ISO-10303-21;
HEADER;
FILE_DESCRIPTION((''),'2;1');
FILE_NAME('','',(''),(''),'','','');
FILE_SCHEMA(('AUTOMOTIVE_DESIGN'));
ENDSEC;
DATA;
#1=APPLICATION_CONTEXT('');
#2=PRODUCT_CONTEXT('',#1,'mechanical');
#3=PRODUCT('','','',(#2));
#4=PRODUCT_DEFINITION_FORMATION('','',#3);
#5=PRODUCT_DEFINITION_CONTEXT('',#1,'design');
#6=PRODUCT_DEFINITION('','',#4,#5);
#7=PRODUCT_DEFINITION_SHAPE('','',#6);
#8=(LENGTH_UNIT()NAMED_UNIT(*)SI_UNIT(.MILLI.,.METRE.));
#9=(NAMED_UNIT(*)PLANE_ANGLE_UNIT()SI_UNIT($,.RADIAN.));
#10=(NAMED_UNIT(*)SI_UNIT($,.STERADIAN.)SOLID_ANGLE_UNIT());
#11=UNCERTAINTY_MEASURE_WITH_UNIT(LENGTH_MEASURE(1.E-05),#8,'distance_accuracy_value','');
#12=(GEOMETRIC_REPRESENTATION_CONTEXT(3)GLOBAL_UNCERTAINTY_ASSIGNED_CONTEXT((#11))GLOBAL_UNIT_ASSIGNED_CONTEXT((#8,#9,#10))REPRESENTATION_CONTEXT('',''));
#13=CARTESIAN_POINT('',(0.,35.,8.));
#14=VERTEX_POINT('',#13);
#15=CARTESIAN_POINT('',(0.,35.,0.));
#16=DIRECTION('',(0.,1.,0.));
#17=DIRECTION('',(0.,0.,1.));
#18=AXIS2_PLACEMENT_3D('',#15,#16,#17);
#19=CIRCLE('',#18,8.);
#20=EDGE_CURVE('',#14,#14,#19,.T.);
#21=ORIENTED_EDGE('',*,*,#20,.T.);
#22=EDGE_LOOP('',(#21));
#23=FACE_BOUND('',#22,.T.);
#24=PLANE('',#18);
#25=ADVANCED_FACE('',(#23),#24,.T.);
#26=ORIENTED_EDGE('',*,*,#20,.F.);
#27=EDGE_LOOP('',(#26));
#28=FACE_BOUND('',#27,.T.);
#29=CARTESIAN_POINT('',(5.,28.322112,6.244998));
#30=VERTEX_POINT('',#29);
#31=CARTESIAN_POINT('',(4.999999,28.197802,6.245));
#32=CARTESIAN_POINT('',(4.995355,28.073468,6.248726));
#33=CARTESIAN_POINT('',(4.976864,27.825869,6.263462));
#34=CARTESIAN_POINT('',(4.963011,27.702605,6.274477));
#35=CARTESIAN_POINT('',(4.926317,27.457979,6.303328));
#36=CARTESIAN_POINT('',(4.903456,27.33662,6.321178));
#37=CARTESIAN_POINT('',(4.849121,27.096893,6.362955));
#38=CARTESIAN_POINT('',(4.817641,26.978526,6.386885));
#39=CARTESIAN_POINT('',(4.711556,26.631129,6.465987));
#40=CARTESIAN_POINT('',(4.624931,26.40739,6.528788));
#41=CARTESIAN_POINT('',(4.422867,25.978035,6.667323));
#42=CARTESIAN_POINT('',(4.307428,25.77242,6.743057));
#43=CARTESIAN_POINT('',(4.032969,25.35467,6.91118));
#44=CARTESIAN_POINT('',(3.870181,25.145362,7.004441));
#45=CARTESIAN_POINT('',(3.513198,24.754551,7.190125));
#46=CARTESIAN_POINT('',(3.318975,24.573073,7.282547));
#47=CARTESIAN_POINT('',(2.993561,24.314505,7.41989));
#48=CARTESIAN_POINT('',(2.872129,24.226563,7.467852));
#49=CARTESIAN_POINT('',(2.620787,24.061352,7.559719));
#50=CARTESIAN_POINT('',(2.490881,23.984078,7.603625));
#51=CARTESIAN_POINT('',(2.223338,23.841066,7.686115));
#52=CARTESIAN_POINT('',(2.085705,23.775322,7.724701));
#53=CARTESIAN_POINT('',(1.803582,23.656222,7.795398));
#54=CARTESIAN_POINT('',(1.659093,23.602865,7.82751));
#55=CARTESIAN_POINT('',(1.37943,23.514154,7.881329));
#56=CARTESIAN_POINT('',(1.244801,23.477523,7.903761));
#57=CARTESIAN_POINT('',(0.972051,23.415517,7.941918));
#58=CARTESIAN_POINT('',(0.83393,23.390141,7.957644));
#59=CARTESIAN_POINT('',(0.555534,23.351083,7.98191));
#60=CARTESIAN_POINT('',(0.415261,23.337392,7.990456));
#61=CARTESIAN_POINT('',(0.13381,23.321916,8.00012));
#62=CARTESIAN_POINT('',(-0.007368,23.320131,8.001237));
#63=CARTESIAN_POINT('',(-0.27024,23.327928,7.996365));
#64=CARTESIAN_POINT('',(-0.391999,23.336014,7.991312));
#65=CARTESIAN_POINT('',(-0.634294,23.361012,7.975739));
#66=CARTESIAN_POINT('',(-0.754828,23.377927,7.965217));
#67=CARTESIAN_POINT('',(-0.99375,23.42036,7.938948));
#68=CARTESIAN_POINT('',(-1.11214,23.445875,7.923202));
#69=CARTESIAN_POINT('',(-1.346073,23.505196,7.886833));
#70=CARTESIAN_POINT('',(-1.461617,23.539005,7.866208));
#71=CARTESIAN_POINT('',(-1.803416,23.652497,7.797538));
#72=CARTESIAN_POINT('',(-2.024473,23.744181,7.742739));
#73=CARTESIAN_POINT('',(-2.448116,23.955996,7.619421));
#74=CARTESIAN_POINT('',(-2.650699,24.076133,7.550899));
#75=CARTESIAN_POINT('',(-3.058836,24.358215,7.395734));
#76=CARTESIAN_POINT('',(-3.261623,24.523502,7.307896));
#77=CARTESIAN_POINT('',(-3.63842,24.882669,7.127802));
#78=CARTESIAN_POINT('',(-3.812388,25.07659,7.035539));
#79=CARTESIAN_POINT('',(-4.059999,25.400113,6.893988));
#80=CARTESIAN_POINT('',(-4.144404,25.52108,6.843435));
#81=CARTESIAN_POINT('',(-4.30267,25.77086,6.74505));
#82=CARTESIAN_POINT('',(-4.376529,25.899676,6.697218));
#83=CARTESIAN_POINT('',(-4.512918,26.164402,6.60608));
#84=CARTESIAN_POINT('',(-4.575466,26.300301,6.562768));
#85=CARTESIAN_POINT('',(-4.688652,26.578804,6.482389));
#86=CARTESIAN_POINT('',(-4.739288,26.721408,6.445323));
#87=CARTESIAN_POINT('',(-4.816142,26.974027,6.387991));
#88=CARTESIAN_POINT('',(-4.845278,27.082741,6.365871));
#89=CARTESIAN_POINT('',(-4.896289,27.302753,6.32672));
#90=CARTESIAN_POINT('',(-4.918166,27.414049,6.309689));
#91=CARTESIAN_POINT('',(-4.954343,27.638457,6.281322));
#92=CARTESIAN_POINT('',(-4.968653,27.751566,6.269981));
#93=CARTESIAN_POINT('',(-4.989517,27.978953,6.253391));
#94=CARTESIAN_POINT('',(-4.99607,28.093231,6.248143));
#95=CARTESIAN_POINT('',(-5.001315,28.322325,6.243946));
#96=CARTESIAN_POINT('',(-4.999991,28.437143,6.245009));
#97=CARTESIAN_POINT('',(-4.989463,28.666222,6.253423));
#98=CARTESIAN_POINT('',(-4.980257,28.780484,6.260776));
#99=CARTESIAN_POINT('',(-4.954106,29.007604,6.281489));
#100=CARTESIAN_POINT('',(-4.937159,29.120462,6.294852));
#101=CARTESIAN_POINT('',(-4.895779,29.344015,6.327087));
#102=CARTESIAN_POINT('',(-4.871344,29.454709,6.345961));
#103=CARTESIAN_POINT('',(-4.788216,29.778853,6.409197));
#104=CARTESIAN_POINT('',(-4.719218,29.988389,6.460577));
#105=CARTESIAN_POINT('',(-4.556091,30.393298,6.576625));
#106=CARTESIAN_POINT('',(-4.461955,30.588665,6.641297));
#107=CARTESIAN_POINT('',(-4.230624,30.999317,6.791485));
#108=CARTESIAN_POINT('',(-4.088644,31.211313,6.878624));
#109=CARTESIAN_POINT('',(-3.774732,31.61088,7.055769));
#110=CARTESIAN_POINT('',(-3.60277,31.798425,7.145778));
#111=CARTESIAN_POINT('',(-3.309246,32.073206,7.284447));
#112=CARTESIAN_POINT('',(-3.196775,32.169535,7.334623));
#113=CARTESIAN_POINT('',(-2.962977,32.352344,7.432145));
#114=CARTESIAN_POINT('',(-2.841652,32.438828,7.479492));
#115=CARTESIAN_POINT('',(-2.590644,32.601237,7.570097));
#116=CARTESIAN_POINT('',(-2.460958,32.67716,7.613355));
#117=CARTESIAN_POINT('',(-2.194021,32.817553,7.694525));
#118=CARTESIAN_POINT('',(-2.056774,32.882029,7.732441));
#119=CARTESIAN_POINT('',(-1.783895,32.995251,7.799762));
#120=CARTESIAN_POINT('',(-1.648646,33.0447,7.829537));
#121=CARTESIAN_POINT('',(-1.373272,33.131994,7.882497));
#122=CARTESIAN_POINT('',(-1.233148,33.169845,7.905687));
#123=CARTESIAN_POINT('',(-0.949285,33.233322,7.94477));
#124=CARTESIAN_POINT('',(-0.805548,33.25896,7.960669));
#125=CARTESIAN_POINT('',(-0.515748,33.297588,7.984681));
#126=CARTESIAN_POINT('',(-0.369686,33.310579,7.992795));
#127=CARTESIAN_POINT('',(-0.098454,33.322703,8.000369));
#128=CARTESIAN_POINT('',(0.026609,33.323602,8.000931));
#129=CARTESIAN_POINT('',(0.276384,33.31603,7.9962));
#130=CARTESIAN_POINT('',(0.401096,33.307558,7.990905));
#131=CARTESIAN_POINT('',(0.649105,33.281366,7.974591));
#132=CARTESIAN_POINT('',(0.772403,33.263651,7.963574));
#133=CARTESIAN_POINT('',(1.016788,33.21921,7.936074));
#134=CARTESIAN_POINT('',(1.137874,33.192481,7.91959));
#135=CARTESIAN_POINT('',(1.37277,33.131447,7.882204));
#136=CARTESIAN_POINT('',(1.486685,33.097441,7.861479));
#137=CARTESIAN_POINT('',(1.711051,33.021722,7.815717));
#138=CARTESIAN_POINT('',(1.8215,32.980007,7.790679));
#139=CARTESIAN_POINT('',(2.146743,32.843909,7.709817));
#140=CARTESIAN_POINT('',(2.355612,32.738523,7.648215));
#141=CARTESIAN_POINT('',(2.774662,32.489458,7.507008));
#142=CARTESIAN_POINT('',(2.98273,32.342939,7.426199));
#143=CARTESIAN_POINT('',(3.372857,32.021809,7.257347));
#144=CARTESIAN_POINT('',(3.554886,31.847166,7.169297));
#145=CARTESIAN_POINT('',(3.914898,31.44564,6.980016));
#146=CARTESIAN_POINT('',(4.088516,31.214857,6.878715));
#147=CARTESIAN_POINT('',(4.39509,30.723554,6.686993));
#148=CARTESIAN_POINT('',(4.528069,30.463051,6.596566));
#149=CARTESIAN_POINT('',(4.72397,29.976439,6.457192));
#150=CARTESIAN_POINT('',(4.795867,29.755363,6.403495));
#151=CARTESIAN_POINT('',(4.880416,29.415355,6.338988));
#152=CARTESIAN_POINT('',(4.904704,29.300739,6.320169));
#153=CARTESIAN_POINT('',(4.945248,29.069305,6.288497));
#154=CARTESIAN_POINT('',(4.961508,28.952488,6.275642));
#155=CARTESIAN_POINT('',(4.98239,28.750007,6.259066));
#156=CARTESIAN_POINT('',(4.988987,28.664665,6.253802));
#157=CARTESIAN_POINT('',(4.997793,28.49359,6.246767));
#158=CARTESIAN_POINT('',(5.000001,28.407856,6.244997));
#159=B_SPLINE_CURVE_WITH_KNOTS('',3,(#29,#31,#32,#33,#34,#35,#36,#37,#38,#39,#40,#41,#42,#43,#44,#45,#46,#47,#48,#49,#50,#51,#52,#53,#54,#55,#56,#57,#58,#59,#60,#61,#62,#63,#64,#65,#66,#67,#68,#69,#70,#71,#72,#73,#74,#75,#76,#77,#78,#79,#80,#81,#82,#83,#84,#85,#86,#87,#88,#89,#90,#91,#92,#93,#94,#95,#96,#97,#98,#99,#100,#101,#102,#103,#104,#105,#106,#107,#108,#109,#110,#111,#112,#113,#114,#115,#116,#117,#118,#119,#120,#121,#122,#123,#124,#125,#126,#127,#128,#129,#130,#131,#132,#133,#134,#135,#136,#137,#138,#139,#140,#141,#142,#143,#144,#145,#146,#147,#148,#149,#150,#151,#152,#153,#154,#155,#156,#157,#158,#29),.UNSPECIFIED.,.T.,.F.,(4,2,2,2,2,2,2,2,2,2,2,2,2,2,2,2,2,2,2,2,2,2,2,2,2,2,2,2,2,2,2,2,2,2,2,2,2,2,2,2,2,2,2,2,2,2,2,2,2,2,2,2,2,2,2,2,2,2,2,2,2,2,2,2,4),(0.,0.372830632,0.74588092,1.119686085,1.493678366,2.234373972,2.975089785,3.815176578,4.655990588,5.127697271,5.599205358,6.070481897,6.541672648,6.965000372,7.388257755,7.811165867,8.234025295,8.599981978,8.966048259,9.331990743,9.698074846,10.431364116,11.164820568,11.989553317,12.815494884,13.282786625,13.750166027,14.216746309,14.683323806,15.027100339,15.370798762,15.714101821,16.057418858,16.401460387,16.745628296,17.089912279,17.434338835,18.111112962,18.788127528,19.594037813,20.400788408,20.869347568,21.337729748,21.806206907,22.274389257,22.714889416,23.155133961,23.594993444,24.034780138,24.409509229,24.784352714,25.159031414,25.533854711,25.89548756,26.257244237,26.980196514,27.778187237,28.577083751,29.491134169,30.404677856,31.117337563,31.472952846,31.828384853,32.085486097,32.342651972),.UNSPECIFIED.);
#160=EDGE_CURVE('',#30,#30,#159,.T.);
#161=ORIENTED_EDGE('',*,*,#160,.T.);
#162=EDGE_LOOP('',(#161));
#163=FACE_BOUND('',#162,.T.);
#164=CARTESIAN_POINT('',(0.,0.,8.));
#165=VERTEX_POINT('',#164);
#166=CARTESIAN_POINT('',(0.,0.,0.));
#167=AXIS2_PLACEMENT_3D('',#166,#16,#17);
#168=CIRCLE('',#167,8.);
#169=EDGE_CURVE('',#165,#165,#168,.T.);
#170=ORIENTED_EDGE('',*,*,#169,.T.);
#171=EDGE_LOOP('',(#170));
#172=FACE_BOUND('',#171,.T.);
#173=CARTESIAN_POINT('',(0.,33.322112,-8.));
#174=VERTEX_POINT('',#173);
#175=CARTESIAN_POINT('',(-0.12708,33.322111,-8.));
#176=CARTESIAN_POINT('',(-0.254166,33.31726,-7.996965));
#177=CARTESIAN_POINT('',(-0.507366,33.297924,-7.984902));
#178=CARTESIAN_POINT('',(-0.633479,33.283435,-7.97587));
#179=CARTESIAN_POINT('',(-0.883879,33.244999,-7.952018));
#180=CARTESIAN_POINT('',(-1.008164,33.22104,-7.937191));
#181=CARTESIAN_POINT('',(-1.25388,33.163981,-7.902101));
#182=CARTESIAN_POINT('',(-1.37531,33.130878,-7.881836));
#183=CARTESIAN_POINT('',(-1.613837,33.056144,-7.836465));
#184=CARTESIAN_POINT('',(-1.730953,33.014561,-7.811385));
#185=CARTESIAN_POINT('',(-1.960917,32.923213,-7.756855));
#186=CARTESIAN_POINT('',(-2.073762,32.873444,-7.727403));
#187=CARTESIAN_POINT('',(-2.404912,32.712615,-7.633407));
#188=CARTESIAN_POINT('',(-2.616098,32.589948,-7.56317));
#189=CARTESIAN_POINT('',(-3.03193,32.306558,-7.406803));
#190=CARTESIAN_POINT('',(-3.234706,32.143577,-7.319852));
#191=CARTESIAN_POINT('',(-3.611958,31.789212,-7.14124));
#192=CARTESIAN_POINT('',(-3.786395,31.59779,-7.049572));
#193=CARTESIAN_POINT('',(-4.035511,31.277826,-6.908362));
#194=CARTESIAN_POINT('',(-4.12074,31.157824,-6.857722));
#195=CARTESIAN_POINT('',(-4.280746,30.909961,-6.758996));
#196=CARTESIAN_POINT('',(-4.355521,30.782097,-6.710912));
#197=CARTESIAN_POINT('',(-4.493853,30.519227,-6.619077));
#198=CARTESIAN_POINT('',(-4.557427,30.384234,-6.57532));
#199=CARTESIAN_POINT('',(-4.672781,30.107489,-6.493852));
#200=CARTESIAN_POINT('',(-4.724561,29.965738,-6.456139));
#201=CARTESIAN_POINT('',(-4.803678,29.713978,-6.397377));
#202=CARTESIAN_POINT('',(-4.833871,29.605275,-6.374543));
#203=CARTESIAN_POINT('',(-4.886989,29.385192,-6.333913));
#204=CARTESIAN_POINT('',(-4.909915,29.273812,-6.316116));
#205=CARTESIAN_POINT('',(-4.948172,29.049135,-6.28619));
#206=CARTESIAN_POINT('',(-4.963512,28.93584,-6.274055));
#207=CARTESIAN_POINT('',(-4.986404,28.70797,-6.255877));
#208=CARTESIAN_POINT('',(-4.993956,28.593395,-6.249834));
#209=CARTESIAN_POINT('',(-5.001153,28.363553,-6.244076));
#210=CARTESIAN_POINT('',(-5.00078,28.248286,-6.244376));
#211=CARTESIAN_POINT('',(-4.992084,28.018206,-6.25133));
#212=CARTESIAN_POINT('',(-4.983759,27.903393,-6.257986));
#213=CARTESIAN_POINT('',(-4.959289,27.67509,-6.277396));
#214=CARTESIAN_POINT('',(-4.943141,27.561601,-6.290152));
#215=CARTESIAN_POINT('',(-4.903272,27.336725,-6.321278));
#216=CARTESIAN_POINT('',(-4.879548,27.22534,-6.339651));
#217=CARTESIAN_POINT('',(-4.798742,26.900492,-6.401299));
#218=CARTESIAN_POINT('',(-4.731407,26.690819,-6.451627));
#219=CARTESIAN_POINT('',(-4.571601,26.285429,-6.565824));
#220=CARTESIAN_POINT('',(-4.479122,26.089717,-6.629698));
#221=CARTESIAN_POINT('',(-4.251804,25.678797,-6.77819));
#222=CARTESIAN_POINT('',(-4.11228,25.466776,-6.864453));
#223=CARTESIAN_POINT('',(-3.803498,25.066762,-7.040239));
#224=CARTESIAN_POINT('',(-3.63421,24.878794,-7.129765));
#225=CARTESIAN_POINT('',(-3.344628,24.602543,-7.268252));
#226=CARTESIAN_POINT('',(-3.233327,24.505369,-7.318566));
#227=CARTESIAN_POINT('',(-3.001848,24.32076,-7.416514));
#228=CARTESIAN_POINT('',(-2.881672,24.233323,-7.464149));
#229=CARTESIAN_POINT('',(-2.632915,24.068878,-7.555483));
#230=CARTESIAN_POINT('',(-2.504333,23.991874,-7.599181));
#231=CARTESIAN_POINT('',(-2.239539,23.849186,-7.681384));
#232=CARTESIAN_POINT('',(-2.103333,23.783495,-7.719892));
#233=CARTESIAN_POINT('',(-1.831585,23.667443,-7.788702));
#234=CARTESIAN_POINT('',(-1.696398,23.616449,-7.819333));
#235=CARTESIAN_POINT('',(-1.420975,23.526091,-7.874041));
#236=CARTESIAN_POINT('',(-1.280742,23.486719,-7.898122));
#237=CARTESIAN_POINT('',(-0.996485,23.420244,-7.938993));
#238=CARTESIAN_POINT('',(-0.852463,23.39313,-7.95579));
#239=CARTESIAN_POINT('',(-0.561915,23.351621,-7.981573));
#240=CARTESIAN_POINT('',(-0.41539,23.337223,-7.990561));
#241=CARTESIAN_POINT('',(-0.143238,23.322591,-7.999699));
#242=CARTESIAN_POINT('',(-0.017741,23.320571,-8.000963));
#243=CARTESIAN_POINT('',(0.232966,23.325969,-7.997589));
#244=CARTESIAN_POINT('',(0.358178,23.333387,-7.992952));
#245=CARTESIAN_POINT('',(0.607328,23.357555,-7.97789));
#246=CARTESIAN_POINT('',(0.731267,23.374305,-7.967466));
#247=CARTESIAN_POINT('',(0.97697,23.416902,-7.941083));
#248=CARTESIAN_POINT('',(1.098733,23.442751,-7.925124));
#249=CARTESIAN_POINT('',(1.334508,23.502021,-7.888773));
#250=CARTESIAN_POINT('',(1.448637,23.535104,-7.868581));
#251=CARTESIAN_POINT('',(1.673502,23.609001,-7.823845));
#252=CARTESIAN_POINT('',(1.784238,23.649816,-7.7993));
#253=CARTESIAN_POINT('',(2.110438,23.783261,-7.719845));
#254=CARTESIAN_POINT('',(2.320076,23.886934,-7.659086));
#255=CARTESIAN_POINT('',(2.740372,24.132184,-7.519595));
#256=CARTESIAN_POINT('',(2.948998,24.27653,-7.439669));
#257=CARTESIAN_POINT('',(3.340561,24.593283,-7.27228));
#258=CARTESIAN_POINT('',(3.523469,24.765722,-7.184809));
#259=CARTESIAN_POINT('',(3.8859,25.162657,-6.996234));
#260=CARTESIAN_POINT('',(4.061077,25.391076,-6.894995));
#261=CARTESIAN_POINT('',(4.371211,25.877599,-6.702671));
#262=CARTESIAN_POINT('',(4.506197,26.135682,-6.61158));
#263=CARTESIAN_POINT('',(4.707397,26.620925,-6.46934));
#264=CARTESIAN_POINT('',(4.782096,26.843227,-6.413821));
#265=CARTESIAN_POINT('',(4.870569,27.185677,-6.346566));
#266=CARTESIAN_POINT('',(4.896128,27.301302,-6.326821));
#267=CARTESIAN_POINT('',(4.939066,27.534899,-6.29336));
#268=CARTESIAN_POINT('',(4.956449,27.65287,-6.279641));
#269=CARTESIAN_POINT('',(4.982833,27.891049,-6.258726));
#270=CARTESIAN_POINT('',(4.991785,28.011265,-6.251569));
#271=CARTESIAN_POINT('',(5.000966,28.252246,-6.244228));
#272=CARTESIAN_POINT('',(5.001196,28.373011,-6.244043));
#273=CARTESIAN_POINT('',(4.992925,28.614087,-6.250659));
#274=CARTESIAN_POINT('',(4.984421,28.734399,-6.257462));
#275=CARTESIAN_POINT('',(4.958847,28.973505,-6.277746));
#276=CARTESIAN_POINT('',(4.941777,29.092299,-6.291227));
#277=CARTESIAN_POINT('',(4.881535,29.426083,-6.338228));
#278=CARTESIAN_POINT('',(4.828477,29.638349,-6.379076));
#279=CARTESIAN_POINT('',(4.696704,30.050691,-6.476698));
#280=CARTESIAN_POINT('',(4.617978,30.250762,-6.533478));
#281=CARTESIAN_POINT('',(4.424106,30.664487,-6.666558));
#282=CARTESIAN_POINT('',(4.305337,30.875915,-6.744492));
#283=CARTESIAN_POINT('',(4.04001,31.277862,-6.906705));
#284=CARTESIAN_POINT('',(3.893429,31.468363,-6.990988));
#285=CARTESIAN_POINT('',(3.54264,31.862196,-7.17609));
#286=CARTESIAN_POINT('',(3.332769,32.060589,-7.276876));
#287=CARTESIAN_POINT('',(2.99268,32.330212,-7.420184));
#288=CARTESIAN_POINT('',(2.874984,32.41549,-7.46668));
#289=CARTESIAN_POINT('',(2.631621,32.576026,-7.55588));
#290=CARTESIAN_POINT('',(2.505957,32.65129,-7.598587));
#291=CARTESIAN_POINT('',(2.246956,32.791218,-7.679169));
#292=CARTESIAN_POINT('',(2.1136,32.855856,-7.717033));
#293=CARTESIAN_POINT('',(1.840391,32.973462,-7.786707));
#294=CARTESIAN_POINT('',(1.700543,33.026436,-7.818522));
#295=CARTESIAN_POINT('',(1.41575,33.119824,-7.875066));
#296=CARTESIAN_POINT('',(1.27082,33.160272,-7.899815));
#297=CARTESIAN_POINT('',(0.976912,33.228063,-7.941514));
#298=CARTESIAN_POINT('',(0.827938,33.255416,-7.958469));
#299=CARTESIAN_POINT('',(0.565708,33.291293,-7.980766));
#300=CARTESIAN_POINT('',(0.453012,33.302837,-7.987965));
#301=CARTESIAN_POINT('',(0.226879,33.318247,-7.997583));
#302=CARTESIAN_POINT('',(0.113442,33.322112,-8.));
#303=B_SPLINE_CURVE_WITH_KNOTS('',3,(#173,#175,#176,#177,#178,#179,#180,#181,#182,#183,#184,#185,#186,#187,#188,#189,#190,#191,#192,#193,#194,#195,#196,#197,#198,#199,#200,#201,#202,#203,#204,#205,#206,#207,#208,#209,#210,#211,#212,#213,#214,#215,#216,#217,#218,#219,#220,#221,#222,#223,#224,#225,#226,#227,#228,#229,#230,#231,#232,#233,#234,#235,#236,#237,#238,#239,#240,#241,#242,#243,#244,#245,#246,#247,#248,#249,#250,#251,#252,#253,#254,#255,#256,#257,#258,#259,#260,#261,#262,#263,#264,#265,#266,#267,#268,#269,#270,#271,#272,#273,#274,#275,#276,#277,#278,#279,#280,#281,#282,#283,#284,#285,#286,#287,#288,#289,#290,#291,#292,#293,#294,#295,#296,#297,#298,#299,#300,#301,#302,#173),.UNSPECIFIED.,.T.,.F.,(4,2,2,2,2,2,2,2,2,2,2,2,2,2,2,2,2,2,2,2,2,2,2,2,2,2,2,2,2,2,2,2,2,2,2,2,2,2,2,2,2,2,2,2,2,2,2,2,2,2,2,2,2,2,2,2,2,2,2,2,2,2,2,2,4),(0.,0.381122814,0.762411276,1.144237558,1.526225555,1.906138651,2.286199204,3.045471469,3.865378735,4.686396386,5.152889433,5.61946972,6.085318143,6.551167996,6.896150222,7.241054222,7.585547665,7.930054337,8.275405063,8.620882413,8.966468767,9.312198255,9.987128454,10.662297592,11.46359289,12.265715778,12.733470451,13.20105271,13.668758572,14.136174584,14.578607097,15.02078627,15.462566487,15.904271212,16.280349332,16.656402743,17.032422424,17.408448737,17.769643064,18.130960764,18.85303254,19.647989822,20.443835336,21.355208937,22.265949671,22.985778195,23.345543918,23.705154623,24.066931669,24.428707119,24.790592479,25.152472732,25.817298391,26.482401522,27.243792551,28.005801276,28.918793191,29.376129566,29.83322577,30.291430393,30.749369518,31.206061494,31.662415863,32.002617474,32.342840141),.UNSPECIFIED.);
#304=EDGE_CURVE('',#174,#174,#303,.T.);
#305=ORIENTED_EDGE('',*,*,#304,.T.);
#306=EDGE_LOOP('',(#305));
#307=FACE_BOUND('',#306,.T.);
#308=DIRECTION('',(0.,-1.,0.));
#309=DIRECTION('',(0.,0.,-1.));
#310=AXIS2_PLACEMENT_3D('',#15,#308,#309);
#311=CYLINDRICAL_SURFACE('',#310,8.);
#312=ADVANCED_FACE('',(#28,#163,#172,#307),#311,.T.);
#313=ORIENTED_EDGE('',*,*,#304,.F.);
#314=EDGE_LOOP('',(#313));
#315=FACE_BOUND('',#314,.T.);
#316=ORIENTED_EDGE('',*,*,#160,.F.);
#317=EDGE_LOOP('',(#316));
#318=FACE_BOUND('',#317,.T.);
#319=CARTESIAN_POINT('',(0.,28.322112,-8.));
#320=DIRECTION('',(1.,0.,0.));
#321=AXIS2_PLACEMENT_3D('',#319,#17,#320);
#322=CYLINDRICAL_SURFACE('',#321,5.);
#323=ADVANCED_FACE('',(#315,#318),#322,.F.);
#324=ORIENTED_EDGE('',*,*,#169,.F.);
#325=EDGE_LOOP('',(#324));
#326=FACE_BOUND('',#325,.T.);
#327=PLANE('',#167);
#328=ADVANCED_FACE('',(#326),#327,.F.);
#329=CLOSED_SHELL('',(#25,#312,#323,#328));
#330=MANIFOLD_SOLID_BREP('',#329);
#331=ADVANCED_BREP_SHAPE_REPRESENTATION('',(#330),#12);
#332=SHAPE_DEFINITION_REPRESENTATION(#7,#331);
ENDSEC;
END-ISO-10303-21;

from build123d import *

# Parameters (mm, degrees)
SKETCH1_R               = 8
BOSS_EXTRUDE2_DEPTH     = 35
SKETCH3_R               = 5
CUT_EXTRUDE2_DEPTH      = 9
CUT_EXTRUDE2_DEPTH_BACK = 9


with BuildPart() as part:
    # Sketch1 → Boss-Extrude2 (new body)
    with BuildSketch(Plane(origin=(0, 0, 0), x_dir=(1, 0, 0), z_dir=(0, 1, 0))):
        Circle(SKETCH1_R)
    extrude(amount=BOSS_EXTRUDE2_DEPTH)

    # Sketch3 → Cut-Extrude2 (cut, two sides)
    with BuildSketch(Plane.XY) as cut_extrude2_sk:
        with Locations((0, 28.322111542)):
            Circle(SKETCH3_R)
    extrude(amount=CUT_EXTRUDE2_DEPTH, mode=Mode.SUBTRACT)
    extrude(cut_extrude2_sk.sketch, amount=-CUT_EXTRUDE2_DEPTH_BACK, mode=Mode.SUBTRACT)


solid = part.part
